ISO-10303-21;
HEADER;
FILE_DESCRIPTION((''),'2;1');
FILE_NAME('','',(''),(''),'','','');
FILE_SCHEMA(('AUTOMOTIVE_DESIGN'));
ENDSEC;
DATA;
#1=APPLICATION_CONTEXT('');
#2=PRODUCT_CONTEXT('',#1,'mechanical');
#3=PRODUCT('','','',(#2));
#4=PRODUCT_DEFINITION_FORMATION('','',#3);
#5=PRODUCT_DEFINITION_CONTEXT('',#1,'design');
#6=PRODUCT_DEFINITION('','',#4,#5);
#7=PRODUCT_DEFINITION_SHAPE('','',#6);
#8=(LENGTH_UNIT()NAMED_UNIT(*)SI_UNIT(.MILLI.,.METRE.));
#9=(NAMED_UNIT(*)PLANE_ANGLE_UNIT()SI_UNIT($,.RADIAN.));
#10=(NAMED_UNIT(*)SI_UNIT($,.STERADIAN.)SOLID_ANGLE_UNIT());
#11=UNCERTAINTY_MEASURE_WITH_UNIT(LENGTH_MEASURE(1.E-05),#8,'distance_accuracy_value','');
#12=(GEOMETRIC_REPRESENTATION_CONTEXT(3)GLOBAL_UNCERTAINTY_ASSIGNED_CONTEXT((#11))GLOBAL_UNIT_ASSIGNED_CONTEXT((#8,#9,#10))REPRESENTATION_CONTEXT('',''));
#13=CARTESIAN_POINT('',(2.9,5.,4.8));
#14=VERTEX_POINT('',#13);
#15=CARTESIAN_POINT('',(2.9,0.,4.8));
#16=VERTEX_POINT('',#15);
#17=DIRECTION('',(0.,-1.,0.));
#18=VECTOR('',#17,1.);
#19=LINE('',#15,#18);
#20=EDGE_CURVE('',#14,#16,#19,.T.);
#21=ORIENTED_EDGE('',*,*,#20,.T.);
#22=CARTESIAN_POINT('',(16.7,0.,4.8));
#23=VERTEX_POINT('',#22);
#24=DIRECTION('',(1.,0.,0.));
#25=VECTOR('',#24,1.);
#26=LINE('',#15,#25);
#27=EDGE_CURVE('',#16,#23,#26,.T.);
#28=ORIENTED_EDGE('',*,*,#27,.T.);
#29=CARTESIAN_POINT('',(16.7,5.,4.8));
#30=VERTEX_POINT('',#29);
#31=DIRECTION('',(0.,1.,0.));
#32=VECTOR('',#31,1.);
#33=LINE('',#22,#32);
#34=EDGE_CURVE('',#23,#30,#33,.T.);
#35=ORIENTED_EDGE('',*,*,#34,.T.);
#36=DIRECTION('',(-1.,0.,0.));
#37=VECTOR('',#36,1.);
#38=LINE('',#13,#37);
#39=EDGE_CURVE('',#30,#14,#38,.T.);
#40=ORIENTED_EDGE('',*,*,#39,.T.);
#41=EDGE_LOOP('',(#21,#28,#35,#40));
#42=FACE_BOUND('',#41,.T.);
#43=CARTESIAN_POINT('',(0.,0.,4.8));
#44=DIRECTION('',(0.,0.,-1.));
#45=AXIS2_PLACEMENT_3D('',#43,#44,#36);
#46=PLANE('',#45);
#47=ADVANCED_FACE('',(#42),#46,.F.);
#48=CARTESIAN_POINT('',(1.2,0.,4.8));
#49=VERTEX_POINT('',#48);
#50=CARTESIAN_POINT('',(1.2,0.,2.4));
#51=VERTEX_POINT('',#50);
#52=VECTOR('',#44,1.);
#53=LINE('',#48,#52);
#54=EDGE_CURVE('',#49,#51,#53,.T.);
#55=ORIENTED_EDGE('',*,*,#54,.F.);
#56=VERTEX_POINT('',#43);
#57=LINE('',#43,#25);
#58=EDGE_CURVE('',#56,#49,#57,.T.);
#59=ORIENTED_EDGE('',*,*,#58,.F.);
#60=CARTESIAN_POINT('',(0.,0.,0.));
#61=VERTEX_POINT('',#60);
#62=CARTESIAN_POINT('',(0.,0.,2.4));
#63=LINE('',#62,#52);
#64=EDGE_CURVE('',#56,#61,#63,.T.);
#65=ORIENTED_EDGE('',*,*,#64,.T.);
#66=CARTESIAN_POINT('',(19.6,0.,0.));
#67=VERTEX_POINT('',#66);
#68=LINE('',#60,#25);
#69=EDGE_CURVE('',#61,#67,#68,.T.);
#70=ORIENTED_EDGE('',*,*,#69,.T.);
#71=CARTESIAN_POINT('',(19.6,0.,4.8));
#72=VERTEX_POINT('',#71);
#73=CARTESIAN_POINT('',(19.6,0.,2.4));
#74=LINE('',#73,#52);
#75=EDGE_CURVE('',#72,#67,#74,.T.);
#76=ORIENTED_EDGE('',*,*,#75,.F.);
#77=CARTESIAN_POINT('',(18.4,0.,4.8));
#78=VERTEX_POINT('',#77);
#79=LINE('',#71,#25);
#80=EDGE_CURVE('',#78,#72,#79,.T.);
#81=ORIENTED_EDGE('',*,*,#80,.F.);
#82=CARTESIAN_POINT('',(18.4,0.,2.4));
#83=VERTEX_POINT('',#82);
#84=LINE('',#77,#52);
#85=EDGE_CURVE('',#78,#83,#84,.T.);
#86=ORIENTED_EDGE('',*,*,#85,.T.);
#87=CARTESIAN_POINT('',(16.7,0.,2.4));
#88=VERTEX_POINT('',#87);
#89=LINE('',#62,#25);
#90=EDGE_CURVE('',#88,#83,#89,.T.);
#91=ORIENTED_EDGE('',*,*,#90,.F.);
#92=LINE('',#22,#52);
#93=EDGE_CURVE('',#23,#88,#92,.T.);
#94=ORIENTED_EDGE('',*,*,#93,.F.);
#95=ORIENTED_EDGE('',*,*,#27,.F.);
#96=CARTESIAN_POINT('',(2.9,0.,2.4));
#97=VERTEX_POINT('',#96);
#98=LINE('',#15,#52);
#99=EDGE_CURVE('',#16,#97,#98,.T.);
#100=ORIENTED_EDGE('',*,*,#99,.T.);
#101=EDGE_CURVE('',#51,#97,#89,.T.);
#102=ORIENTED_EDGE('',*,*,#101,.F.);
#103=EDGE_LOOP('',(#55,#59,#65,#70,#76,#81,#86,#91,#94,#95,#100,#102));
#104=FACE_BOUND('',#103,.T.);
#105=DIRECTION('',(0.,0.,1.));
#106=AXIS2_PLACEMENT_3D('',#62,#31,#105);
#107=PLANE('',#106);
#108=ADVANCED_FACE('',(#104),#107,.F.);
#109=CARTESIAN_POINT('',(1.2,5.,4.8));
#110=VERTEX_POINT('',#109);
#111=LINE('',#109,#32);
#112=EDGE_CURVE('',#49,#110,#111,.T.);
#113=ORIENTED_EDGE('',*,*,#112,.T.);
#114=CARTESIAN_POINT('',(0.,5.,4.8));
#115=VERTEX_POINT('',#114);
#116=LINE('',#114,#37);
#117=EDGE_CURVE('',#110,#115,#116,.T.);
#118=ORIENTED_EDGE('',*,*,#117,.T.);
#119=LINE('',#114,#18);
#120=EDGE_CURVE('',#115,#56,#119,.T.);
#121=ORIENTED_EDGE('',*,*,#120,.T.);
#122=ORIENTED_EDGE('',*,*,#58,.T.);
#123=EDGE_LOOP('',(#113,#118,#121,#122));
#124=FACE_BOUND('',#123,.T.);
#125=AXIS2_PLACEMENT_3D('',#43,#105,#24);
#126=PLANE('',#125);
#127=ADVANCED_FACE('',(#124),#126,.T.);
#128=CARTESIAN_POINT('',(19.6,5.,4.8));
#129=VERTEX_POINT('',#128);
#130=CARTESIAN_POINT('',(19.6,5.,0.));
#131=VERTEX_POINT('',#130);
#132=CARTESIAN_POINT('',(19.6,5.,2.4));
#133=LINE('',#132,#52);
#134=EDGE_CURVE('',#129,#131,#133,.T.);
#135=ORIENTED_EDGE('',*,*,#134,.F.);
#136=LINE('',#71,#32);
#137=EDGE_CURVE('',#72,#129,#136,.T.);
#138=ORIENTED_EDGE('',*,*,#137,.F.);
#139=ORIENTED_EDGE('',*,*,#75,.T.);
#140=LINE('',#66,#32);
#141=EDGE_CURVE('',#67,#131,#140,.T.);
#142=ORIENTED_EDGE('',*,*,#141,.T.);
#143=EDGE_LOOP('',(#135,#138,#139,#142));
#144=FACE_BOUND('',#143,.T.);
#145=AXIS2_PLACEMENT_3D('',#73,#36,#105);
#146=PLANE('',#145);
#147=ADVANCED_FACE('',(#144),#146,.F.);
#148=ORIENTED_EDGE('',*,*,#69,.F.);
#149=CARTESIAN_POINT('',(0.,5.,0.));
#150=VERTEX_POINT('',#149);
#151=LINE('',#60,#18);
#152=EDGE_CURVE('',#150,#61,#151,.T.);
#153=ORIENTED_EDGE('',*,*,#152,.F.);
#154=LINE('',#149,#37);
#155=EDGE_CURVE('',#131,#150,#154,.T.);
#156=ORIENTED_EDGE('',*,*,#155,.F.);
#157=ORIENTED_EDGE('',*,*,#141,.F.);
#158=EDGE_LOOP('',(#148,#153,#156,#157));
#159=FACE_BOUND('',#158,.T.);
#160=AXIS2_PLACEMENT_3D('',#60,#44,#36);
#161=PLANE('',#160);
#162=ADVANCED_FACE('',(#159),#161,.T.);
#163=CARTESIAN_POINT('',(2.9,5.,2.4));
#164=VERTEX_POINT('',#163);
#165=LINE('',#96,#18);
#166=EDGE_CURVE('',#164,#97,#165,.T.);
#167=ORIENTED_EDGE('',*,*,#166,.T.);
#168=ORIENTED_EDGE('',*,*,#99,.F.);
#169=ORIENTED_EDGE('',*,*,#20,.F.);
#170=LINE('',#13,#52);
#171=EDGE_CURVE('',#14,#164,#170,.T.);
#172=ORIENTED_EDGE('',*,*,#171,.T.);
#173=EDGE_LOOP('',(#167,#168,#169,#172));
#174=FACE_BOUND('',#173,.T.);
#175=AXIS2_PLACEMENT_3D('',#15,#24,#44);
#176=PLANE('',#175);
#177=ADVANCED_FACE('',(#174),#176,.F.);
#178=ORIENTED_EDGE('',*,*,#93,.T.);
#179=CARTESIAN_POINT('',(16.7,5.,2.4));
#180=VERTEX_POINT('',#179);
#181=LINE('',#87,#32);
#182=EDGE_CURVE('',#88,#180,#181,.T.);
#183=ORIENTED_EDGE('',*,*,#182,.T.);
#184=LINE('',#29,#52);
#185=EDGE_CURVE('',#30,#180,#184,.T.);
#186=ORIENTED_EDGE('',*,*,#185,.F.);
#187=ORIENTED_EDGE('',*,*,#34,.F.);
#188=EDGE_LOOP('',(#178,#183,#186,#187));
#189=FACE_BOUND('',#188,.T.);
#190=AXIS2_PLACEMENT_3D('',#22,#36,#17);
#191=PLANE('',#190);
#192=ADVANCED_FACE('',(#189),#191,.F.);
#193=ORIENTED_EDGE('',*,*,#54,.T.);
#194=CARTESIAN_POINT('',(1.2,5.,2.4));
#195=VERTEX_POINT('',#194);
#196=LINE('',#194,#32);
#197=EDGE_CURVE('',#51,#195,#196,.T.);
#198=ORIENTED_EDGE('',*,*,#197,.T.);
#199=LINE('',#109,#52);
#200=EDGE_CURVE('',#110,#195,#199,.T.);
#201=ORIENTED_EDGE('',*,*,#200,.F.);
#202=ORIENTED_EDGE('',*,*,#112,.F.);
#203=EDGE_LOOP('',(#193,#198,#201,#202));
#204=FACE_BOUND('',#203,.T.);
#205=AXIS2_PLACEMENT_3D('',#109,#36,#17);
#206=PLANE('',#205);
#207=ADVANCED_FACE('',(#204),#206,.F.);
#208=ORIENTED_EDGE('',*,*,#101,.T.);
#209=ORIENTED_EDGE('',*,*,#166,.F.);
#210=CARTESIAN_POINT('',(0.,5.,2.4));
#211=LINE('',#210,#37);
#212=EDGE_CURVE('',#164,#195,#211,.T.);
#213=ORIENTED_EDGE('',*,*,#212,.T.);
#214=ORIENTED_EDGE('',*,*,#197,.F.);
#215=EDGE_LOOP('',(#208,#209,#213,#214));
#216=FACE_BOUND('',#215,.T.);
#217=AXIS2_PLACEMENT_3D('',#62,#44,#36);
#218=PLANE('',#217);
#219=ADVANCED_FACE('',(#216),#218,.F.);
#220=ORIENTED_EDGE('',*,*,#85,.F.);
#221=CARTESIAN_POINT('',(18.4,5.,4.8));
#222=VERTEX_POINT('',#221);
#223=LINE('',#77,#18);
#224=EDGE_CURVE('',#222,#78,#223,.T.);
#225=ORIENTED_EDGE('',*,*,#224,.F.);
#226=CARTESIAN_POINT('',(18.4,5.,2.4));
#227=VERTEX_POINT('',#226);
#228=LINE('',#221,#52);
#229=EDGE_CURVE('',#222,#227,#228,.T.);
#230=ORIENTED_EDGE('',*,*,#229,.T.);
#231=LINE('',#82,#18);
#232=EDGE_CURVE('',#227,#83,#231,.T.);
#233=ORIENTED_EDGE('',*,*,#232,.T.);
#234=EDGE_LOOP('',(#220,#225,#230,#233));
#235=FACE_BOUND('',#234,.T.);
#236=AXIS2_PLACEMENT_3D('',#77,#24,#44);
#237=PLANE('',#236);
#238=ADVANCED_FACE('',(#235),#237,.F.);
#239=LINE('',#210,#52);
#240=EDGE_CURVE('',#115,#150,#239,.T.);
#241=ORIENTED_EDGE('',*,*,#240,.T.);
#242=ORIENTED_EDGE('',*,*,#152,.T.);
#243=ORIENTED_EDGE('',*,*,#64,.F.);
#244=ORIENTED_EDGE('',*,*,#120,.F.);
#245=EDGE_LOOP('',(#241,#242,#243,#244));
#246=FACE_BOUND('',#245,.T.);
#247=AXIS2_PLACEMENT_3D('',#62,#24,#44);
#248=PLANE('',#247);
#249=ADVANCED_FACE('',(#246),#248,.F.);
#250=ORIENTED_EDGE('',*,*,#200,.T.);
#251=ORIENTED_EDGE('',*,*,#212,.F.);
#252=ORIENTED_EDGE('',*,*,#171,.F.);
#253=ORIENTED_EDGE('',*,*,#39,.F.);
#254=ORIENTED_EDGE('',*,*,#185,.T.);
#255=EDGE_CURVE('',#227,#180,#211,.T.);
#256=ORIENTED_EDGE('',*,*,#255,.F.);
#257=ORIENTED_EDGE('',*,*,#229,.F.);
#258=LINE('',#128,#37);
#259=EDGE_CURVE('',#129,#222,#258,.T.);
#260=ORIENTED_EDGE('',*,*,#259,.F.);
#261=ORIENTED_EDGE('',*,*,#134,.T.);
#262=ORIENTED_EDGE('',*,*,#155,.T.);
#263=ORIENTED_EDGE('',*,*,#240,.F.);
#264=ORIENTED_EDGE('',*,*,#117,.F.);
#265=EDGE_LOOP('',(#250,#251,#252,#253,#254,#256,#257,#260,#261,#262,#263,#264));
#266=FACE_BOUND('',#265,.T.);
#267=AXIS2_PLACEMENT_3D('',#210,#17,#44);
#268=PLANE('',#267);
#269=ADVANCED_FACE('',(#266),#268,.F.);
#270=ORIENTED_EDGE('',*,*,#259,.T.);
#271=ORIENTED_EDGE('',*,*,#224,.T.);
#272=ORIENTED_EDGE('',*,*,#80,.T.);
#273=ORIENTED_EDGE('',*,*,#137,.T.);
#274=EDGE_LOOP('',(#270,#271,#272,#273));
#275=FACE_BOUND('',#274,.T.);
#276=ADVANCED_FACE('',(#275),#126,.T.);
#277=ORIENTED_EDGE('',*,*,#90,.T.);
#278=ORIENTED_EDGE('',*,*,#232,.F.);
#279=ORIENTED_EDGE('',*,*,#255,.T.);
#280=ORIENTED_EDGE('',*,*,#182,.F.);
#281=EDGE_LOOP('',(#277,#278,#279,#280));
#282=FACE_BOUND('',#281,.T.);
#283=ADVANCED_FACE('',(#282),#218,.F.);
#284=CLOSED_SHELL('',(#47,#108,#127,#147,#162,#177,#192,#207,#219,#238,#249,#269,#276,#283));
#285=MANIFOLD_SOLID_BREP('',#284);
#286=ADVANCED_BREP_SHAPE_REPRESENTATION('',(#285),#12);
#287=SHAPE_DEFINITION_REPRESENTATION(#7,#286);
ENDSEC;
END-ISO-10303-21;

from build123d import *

# Parameters (mm, degrees)
SKETCH1_W           = 19.6
SKETCH1_H           = 5
BOSS_EXTRUDE1_DEPTH = 2.4
SKETCH2_W           = 1.2
SKETCH2_H           = 5
SKETCH2_W_2         = 13.8
BOSS_EXTRUDE2_DEPTH = 2.4


with BuildPart() as part:
    # Sketch1 → Boss-Extrude1 (new body)
    with BuildSketch(Plane.XY):
        with Locations((9.8, 2.5)):
            Rectangle(SKETCH1_W, SKETCH1_H)
    extrude(amount=BOSS_EXTRUDE1_DEPTH)

    # Sketch2 → Boss-Extrude2 (add)
    with BuildSketch(Plane.XY.offset(2.4)):
        with Locations((0.6, 2.5)):
            Rectangle(SKETCH2_W, SKETCH2_H)
        with Locations((19, 2.5)):
            Rectangle(SKETCH2_W, SKETCH2_H)
        with Locations((9.8, 2.5)):
            Rectangle(SKETCH2_W_2, SKETCH2_H)
    extrude(amount=BOSS_EXTRUDE2_DEPTH)


solid = part.part
